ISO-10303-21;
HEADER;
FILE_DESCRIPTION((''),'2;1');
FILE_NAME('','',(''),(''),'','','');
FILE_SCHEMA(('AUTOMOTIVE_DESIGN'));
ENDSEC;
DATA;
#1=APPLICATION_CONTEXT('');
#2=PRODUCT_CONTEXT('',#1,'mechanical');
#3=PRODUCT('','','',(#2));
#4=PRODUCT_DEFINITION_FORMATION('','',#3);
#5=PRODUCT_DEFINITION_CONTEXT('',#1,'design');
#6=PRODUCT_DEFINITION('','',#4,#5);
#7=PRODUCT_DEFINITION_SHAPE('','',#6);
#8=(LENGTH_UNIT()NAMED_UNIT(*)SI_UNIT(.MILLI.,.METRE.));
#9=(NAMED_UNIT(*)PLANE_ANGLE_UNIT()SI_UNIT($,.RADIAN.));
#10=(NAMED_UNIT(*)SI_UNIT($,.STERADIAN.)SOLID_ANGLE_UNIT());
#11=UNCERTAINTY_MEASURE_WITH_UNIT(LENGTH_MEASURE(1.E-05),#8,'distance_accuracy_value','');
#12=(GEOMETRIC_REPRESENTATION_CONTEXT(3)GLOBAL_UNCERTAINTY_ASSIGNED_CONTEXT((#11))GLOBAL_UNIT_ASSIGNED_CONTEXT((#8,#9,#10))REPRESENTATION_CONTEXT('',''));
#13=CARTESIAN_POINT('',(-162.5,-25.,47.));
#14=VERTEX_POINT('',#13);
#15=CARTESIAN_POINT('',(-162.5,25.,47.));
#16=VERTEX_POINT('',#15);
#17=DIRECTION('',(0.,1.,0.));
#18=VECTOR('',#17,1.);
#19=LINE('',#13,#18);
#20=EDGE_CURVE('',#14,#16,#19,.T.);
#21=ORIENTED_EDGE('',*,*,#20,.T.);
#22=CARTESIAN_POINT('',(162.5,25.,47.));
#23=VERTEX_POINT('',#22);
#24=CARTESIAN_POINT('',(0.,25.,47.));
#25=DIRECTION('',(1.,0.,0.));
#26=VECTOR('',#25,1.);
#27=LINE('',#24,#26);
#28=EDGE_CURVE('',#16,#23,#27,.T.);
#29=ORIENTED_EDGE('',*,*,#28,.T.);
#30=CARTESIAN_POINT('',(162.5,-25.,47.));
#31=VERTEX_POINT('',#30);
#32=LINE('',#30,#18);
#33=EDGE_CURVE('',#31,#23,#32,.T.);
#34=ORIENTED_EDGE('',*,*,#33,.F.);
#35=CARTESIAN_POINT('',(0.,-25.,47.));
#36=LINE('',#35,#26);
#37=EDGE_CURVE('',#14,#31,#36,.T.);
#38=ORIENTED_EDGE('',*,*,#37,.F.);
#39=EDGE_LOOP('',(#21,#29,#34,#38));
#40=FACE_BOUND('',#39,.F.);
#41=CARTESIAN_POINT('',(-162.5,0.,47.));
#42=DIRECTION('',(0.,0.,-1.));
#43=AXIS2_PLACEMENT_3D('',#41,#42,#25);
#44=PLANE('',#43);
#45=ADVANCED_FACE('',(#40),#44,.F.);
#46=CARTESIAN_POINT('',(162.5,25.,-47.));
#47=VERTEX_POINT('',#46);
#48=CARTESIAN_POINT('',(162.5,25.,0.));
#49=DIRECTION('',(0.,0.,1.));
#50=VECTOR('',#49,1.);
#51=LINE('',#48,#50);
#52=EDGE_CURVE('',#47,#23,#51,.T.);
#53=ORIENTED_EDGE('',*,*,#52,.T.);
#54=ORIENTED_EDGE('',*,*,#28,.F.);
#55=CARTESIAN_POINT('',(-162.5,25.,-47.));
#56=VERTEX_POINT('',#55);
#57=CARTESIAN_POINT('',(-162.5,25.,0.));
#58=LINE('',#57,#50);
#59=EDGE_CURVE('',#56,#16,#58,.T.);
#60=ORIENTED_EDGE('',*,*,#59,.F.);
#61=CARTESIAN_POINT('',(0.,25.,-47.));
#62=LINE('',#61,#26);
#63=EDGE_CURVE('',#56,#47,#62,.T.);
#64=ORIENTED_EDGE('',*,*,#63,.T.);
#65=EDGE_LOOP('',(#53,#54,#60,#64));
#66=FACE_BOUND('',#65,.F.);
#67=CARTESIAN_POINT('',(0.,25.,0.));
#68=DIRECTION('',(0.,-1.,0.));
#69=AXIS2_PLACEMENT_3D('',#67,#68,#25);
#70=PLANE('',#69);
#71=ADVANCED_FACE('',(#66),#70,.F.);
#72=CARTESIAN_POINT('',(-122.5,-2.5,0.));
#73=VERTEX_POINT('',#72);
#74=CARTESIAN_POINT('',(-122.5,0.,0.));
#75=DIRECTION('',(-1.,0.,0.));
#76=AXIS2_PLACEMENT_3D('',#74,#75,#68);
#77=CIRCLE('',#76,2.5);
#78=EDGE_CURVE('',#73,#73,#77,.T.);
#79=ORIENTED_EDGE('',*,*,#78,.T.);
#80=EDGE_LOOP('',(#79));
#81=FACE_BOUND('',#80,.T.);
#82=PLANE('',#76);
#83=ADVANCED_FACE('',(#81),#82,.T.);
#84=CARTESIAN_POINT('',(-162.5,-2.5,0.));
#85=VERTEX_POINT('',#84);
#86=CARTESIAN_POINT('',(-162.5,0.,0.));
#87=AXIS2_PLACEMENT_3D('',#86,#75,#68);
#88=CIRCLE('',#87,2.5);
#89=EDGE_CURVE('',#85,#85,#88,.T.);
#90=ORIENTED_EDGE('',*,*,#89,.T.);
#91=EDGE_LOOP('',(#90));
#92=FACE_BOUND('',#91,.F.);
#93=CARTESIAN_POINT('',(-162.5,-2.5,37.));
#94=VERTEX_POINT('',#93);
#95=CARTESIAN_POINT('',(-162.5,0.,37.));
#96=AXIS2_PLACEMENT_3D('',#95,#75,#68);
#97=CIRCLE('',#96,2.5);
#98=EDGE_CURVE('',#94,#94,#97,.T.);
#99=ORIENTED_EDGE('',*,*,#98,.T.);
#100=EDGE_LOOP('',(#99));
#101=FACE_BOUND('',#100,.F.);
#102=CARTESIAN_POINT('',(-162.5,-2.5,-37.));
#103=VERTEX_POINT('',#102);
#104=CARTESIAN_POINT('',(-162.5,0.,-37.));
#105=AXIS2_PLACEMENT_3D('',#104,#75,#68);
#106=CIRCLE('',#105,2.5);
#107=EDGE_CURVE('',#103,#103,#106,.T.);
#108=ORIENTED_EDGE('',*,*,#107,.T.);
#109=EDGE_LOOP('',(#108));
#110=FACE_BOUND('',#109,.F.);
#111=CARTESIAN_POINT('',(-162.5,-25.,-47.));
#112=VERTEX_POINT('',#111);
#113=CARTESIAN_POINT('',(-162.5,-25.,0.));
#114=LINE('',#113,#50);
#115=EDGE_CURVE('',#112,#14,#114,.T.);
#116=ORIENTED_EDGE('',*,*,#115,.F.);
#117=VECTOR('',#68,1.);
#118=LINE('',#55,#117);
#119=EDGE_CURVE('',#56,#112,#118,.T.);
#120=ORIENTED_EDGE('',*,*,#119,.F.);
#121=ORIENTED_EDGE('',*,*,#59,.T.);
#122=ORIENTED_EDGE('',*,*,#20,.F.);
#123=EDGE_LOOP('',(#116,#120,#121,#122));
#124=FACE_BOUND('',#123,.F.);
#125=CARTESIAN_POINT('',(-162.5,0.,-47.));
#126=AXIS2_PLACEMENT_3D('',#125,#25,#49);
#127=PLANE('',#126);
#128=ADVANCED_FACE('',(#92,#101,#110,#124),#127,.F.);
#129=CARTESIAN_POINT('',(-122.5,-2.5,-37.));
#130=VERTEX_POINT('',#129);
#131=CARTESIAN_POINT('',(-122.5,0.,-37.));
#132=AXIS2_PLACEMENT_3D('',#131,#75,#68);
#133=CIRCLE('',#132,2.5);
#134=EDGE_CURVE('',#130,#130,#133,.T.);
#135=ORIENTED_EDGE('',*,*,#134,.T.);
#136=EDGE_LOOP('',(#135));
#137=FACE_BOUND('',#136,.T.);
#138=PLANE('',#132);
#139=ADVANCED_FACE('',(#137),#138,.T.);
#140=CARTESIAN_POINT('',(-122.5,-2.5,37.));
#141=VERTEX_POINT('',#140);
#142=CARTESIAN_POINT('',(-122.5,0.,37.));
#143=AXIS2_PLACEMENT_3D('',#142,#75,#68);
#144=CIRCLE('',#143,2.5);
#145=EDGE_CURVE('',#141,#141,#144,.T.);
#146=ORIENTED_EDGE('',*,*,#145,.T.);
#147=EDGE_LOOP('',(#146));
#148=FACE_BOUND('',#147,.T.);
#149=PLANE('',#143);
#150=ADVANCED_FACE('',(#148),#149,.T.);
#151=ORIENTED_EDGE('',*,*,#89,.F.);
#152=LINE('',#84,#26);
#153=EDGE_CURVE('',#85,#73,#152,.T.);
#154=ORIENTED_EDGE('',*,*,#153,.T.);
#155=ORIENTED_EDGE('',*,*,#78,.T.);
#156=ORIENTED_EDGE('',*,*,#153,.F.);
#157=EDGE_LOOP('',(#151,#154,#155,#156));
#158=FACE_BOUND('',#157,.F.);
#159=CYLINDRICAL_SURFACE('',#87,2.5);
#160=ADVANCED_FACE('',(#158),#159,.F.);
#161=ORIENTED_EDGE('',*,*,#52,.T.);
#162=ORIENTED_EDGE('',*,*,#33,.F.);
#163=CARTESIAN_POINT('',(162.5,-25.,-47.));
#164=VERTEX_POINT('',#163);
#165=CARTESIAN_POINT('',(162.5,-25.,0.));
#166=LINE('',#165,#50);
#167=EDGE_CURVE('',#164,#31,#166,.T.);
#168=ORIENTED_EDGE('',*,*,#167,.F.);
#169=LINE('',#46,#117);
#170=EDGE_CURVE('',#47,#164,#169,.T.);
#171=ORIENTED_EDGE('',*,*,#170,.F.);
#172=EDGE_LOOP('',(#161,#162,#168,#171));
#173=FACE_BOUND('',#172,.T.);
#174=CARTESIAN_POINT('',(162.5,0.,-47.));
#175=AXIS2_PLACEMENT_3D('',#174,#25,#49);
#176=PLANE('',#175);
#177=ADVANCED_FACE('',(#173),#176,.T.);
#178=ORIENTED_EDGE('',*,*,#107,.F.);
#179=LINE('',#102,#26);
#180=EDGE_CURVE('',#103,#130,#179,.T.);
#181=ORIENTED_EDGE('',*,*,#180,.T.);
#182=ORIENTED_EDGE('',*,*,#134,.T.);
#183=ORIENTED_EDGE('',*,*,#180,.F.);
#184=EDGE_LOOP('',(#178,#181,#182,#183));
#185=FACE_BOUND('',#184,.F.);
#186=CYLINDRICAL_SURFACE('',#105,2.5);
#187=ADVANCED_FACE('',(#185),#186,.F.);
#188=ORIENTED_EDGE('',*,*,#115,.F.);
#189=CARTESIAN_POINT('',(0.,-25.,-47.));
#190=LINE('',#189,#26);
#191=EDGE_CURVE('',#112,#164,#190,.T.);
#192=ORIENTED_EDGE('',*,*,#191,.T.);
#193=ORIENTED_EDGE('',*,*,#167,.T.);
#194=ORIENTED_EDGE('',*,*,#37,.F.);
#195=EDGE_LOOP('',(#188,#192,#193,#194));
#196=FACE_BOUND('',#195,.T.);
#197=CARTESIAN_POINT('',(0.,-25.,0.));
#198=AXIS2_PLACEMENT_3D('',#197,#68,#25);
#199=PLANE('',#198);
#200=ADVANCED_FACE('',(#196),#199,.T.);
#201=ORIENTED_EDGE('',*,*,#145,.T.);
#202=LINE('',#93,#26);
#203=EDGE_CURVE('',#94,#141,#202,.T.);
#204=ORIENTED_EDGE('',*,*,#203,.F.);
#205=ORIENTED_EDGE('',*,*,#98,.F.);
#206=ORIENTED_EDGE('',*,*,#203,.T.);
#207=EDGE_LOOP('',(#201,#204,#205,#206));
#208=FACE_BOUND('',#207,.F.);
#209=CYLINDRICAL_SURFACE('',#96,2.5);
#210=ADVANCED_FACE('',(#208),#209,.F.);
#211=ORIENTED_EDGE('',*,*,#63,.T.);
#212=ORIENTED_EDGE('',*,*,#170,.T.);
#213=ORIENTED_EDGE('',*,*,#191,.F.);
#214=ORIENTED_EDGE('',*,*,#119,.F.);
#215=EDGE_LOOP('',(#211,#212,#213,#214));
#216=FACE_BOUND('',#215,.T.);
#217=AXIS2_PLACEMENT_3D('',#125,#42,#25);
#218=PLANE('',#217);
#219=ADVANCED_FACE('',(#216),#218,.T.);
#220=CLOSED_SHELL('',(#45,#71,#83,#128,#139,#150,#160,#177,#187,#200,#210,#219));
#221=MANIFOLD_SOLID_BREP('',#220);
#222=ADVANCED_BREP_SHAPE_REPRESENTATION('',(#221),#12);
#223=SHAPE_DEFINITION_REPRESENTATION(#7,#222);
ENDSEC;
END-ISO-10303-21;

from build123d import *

# Parameters (mm, degrees)
F2_W     = 325
F2_H     = 94
F3_DEPTH = 25
F0_R     = 2.5
F1_DEPTH = 40


with BuildPart() as f3:
    # F2 (on Front) → F3 (new body, symmetric)
    with BuildSketch(Plane.XZ):
        Rectangle(F2_W, F2_H)
    extrude(amount=F3_DEPTH, both=True)

    # F0 (on face) → F1 (cut)
    with BuildSketch(Plane(origin=(-162.5, 0, 0), x_dir=(0, -1, 0), z_dir=(-1, 0, 0))):
        with Locations((0, -37)):
            Circle(F0_R)
        Circle(F0_R)
        with Locations((0, 37)):
            Circle(F0_R)
    extrude(amount=-F1_DEPTH, mode=Mode.SUBTRACT)


solid = f3.part
